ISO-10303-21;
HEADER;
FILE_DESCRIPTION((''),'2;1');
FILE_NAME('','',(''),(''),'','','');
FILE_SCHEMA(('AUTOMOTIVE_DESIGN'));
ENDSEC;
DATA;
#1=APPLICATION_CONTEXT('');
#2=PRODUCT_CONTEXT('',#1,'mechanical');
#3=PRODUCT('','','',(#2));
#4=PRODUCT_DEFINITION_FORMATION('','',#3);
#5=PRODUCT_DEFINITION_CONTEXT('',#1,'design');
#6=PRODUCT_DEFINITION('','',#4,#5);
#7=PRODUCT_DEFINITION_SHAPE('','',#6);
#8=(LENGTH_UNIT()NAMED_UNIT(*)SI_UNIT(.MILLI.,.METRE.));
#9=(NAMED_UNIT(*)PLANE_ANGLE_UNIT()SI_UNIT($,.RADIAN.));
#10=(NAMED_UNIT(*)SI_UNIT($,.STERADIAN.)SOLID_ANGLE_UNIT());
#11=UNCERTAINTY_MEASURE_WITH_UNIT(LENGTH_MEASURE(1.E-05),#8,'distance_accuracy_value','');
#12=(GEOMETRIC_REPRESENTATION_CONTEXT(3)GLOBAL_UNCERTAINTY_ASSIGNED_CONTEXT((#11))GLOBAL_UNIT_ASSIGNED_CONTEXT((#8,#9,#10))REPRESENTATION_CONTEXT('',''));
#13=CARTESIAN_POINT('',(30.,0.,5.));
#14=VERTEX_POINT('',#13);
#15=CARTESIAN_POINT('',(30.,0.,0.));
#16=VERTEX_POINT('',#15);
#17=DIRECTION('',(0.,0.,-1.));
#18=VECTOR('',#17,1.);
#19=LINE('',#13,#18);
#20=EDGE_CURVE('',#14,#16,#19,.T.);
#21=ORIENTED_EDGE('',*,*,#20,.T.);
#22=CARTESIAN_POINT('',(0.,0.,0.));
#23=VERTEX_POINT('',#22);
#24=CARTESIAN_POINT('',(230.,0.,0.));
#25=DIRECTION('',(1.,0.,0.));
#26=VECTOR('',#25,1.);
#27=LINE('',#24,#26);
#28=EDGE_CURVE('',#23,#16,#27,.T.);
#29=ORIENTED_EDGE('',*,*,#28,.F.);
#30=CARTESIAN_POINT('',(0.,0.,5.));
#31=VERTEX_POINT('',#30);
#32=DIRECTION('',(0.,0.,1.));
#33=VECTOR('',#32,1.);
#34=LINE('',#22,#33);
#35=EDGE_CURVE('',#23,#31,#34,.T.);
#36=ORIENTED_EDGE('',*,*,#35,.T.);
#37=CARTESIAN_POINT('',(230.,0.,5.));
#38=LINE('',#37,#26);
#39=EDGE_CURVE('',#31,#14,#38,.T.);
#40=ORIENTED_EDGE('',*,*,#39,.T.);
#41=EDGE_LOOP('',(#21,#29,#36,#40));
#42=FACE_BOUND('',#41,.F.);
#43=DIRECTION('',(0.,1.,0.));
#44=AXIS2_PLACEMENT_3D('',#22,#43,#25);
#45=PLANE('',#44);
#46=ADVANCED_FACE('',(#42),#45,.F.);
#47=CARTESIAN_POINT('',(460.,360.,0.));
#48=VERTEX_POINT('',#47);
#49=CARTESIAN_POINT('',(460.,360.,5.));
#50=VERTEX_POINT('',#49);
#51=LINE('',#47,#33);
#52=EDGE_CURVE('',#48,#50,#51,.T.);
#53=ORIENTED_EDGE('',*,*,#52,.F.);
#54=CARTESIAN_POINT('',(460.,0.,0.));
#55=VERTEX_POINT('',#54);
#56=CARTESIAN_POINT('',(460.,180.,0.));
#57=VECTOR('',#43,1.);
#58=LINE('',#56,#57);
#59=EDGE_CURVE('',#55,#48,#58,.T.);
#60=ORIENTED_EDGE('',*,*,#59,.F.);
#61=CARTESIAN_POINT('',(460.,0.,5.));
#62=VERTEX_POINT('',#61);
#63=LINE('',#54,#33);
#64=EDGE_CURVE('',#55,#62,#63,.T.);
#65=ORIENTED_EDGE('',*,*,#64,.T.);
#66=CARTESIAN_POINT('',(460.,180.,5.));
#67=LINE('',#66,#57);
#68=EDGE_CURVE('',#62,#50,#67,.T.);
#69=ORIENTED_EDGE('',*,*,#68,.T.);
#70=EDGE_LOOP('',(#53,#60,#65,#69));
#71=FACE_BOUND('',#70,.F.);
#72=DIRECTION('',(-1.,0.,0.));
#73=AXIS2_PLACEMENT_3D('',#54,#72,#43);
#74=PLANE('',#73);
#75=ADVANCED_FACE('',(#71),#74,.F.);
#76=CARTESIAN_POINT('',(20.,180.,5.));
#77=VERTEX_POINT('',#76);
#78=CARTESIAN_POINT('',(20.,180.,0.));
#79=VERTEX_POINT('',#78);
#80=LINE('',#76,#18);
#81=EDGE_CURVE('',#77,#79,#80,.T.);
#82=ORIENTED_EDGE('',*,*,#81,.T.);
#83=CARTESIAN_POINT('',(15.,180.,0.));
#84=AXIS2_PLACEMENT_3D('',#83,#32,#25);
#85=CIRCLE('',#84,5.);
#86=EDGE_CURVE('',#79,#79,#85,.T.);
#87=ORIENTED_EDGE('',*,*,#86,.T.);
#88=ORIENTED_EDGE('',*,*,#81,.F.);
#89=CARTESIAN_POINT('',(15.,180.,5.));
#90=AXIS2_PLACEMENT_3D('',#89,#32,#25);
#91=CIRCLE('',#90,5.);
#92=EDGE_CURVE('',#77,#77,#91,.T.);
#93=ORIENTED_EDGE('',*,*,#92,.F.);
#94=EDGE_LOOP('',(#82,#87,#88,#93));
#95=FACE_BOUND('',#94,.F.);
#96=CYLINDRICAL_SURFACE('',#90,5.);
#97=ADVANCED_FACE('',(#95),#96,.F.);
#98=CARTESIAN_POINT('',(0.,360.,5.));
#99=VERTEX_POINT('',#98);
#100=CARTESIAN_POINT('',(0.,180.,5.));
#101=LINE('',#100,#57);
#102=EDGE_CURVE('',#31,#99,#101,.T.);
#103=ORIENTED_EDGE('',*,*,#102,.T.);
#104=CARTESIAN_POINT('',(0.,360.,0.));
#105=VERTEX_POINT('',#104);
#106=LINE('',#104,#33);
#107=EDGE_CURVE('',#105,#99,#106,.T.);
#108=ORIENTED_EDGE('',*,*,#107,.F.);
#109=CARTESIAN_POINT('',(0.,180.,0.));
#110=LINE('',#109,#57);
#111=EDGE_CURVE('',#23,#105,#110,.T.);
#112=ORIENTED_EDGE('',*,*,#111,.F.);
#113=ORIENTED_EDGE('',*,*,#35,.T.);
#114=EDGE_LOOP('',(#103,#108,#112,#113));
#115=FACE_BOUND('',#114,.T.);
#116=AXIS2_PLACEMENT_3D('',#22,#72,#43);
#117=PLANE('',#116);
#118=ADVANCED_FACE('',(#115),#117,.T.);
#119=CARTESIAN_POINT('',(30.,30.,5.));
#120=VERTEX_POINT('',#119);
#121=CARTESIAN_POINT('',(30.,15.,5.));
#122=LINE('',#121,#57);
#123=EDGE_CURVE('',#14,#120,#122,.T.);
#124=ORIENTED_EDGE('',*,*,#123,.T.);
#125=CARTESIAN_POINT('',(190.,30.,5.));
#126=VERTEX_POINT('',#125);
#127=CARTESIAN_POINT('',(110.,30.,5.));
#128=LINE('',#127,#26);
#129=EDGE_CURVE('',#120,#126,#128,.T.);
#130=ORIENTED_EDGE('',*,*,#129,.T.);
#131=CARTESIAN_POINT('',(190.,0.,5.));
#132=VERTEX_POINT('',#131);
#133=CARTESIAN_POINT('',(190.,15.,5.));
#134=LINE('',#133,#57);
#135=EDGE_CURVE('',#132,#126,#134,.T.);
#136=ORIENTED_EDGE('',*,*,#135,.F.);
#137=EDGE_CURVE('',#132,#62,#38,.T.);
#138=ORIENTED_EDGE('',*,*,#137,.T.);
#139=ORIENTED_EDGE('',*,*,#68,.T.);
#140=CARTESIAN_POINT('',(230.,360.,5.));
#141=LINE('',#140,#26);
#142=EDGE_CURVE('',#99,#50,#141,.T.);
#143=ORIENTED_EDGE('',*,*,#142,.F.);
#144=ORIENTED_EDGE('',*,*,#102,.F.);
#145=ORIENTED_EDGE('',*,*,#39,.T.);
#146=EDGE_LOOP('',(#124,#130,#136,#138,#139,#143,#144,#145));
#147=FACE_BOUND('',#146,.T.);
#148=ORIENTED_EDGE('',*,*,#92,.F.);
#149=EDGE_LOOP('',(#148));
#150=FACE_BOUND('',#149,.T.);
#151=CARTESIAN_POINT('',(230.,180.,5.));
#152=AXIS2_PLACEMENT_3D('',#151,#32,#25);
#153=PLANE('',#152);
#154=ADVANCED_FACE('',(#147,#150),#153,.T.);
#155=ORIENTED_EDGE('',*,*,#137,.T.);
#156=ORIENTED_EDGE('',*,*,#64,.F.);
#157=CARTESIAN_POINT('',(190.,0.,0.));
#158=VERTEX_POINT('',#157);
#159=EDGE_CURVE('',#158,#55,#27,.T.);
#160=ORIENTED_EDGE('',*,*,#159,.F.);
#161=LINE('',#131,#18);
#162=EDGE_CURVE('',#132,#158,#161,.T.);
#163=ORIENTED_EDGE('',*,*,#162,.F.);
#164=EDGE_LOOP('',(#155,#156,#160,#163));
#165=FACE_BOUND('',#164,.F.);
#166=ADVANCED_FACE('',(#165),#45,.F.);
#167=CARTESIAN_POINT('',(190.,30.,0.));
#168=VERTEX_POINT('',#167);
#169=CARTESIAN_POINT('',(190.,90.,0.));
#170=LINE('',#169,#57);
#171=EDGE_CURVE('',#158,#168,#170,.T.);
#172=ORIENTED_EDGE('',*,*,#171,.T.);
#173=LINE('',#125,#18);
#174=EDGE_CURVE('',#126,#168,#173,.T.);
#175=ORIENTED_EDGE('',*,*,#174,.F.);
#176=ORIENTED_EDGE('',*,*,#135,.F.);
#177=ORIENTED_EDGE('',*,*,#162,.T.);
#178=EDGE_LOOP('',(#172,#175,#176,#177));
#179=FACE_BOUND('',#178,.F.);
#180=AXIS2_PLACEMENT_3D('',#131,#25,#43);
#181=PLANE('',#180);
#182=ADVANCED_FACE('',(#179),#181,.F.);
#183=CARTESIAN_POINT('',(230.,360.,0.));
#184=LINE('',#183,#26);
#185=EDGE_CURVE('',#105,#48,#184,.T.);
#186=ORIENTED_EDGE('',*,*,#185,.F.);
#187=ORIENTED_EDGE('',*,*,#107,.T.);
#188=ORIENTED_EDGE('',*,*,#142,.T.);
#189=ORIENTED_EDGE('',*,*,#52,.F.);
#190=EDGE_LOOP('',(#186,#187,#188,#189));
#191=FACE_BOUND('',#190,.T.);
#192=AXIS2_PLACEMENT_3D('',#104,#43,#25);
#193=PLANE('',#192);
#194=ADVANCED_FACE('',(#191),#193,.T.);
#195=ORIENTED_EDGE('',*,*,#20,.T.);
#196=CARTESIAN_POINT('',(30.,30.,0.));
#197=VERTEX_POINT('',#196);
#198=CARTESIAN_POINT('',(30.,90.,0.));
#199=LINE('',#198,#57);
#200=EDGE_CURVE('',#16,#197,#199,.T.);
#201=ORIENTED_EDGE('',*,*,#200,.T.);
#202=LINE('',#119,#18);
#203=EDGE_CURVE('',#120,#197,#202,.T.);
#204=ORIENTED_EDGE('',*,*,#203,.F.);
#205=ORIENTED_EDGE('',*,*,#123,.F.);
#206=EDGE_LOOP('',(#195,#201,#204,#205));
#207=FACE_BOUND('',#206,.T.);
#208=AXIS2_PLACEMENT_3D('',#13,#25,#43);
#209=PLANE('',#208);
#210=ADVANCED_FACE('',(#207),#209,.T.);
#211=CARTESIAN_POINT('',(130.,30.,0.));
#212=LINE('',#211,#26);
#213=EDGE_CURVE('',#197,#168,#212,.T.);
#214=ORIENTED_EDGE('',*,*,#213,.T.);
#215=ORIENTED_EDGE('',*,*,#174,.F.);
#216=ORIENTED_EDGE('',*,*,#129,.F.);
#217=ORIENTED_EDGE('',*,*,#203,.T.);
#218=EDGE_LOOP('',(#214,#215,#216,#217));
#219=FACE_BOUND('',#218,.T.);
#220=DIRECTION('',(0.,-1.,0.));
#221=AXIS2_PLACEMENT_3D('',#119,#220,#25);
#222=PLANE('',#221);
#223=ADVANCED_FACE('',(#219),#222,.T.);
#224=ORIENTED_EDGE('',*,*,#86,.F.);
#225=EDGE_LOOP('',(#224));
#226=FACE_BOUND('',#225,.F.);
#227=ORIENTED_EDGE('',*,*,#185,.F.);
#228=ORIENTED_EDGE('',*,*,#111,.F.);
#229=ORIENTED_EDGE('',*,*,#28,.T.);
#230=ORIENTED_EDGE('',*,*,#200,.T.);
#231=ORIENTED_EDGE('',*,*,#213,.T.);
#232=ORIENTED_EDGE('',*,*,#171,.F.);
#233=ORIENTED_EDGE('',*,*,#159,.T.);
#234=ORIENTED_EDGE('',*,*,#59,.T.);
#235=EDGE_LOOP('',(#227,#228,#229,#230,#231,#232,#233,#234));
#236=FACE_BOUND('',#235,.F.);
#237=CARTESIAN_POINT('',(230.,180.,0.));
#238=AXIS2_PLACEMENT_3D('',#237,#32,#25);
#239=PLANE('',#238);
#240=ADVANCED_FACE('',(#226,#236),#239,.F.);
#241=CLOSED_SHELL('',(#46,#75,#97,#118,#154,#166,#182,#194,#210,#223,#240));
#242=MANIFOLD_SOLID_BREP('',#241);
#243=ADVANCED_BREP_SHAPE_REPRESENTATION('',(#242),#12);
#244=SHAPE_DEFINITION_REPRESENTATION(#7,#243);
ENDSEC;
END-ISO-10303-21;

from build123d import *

# Parameters (mm, degrees)
SKETCH_W        = 460
SKETCH_H        = 360
PAD_DEPTH       = 5
SKETCH001_R     = 5
POCKET_DEPTH    = 5.001
SKETCH002_W     = 160
SKETCH002_H     = 30
POCKET001_DEPTH = 5.001


with BuildPart() as part:
    # Sketch → Pad (new body)
    with BuildSketch(Plane.XY):
        with Locations((230, 180)):
            Rectangle(SKETCH_W, SKETCH_H)
    extrude(amount=PAD_DEPTH)

    # Sketch001 (on Face6 of Pad) → Pocket (cut, through all)
    with BuildSketch(Plane.XY.offset(5)):
        with Locations((15, 180)):
            Circle(SKETCH001_R)
    extrude(amount=-POCKET_DEPTH, mode=Mode.SUBTRACT)

    # Sketch002 (on Face5 of Pocket) → Pocket001 (cut, through all)
    with BuildSketch(Plane.XY.offset(5)):
        with Locations((110, 15)):
            Rectangle(SKETCH002_W, SKETCH002_H)
    extrude(amount=-POCKET001_DEPTH, mode=Mode.SUBTRACT)


solid = part.part
